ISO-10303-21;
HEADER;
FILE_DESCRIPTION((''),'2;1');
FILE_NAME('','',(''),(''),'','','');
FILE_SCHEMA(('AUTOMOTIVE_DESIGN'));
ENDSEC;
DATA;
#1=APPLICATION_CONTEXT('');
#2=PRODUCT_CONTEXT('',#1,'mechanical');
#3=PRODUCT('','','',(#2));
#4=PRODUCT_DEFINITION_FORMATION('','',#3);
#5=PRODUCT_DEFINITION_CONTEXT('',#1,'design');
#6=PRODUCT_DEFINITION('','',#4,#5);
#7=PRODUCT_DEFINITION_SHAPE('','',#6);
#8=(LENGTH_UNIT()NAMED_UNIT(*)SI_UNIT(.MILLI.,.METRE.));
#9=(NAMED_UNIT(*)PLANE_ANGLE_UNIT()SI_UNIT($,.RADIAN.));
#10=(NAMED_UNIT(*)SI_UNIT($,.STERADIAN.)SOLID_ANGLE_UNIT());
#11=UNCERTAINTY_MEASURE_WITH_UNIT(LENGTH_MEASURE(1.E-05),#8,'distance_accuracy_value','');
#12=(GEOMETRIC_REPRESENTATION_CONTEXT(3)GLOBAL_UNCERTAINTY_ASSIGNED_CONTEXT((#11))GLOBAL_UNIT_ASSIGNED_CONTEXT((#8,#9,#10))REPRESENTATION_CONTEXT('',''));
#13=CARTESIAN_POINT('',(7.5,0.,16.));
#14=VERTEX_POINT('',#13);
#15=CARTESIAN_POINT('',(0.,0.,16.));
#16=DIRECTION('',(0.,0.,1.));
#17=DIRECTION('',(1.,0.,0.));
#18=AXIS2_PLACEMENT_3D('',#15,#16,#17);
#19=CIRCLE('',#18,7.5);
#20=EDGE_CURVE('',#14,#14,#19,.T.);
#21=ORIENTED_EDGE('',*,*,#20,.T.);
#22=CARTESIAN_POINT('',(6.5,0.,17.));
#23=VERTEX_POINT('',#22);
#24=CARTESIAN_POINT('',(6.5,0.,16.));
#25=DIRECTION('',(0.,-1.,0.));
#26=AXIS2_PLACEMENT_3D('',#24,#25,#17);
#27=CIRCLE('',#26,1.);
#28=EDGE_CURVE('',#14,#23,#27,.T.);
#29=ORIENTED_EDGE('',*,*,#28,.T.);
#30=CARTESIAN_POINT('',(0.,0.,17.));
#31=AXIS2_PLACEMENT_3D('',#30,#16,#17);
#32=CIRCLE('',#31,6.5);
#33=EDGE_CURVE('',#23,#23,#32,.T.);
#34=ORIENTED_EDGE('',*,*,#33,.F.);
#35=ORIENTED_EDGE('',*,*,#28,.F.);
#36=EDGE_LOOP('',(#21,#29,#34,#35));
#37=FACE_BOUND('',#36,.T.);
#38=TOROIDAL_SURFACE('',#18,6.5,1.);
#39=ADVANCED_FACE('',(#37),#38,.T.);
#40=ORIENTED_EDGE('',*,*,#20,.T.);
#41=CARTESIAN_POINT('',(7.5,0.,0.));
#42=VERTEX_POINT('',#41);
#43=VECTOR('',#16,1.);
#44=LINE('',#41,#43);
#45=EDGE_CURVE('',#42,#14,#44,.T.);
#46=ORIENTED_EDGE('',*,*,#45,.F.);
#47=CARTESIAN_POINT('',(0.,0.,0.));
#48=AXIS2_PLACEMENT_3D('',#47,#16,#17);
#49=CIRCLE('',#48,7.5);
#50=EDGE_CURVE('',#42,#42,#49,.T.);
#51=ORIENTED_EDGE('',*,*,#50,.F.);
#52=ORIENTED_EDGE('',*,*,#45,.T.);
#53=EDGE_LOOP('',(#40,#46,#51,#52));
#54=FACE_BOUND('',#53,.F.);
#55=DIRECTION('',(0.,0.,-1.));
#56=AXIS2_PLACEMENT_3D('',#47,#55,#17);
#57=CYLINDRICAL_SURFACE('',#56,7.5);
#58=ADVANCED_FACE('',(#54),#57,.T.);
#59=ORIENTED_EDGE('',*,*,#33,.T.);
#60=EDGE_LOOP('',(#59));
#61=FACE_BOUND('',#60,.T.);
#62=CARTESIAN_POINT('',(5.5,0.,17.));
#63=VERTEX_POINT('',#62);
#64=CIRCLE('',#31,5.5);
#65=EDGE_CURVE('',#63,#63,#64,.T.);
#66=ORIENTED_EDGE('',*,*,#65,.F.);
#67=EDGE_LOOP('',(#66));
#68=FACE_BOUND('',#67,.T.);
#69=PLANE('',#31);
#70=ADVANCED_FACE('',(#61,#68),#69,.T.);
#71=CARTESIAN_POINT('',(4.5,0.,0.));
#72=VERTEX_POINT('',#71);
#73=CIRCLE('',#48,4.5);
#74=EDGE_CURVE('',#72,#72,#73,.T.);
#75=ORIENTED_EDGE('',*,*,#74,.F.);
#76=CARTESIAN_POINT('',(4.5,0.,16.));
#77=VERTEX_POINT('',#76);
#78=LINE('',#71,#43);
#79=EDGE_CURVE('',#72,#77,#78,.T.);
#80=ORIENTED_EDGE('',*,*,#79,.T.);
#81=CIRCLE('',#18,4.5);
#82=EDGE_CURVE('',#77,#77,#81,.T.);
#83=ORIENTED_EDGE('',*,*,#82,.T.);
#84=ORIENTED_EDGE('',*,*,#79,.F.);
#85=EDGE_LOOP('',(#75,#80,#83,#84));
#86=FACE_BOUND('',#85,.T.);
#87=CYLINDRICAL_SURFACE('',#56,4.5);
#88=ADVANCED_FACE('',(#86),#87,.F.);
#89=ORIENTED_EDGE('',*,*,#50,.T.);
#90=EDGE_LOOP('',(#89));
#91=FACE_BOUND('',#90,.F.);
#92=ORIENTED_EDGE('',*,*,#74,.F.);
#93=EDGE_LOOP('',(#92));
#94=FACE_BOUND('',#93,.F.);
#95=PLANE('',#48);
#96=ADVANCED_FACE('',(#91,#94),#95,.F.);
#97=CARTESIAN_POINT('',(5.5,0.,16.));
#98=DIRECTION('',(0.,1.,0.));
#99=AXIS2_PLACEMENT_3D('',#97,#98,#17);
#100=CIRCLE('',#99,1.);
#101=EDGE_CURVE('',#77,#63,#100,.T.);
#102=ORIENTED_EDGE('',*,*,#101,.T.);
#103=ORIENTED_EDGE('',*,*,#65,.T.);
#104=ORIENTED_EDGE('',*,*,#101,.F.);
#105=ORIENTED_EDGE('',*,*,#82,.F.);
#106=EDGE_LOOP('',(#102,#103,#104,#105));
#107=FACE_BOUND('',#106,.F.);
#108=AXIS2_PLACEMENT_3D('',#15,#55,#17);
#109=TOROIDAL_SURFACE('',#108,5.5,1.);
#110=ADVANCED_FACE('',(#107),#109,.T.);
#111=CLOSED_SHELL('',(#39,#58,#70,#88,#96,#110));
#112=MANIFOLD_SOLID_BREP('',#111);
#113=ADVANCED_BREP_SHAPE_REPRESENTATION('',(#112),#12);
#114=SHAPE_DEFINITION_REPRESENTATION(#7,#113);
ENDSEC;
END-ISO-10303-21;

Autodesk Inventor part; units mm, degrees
ref_plane "YZ Plane" through (0, 0, 0) normal (1, 0, 0) x (0, 1, 0)
ref_plane "XZ Plane" through (0, 0, 0) normal (0, 1, 0) x (-1, 0, 0)
ref_plane "XY Plane" through (0, 0, 0) normal (0, 0, 1) x (1, 0, 0)
sketch "Sketch1" plane through (0, 0, 0) normal (0, 0, 1) x (1, 0, 0)
  circle A0 centre (0, 0) radius 4.5
  circle A1 centre (0, 0) radius 7.5
  dimension "d0" = 9
  dimension "d1" = 15
extrude "Extrusion1" add sketch "Sketch1" along normal blind 17
fillet "Fillet1" radius 1 2 edges at (-4.5, 0, 17) (-7.5, 0, 17)
properties part number "Goma pist"
